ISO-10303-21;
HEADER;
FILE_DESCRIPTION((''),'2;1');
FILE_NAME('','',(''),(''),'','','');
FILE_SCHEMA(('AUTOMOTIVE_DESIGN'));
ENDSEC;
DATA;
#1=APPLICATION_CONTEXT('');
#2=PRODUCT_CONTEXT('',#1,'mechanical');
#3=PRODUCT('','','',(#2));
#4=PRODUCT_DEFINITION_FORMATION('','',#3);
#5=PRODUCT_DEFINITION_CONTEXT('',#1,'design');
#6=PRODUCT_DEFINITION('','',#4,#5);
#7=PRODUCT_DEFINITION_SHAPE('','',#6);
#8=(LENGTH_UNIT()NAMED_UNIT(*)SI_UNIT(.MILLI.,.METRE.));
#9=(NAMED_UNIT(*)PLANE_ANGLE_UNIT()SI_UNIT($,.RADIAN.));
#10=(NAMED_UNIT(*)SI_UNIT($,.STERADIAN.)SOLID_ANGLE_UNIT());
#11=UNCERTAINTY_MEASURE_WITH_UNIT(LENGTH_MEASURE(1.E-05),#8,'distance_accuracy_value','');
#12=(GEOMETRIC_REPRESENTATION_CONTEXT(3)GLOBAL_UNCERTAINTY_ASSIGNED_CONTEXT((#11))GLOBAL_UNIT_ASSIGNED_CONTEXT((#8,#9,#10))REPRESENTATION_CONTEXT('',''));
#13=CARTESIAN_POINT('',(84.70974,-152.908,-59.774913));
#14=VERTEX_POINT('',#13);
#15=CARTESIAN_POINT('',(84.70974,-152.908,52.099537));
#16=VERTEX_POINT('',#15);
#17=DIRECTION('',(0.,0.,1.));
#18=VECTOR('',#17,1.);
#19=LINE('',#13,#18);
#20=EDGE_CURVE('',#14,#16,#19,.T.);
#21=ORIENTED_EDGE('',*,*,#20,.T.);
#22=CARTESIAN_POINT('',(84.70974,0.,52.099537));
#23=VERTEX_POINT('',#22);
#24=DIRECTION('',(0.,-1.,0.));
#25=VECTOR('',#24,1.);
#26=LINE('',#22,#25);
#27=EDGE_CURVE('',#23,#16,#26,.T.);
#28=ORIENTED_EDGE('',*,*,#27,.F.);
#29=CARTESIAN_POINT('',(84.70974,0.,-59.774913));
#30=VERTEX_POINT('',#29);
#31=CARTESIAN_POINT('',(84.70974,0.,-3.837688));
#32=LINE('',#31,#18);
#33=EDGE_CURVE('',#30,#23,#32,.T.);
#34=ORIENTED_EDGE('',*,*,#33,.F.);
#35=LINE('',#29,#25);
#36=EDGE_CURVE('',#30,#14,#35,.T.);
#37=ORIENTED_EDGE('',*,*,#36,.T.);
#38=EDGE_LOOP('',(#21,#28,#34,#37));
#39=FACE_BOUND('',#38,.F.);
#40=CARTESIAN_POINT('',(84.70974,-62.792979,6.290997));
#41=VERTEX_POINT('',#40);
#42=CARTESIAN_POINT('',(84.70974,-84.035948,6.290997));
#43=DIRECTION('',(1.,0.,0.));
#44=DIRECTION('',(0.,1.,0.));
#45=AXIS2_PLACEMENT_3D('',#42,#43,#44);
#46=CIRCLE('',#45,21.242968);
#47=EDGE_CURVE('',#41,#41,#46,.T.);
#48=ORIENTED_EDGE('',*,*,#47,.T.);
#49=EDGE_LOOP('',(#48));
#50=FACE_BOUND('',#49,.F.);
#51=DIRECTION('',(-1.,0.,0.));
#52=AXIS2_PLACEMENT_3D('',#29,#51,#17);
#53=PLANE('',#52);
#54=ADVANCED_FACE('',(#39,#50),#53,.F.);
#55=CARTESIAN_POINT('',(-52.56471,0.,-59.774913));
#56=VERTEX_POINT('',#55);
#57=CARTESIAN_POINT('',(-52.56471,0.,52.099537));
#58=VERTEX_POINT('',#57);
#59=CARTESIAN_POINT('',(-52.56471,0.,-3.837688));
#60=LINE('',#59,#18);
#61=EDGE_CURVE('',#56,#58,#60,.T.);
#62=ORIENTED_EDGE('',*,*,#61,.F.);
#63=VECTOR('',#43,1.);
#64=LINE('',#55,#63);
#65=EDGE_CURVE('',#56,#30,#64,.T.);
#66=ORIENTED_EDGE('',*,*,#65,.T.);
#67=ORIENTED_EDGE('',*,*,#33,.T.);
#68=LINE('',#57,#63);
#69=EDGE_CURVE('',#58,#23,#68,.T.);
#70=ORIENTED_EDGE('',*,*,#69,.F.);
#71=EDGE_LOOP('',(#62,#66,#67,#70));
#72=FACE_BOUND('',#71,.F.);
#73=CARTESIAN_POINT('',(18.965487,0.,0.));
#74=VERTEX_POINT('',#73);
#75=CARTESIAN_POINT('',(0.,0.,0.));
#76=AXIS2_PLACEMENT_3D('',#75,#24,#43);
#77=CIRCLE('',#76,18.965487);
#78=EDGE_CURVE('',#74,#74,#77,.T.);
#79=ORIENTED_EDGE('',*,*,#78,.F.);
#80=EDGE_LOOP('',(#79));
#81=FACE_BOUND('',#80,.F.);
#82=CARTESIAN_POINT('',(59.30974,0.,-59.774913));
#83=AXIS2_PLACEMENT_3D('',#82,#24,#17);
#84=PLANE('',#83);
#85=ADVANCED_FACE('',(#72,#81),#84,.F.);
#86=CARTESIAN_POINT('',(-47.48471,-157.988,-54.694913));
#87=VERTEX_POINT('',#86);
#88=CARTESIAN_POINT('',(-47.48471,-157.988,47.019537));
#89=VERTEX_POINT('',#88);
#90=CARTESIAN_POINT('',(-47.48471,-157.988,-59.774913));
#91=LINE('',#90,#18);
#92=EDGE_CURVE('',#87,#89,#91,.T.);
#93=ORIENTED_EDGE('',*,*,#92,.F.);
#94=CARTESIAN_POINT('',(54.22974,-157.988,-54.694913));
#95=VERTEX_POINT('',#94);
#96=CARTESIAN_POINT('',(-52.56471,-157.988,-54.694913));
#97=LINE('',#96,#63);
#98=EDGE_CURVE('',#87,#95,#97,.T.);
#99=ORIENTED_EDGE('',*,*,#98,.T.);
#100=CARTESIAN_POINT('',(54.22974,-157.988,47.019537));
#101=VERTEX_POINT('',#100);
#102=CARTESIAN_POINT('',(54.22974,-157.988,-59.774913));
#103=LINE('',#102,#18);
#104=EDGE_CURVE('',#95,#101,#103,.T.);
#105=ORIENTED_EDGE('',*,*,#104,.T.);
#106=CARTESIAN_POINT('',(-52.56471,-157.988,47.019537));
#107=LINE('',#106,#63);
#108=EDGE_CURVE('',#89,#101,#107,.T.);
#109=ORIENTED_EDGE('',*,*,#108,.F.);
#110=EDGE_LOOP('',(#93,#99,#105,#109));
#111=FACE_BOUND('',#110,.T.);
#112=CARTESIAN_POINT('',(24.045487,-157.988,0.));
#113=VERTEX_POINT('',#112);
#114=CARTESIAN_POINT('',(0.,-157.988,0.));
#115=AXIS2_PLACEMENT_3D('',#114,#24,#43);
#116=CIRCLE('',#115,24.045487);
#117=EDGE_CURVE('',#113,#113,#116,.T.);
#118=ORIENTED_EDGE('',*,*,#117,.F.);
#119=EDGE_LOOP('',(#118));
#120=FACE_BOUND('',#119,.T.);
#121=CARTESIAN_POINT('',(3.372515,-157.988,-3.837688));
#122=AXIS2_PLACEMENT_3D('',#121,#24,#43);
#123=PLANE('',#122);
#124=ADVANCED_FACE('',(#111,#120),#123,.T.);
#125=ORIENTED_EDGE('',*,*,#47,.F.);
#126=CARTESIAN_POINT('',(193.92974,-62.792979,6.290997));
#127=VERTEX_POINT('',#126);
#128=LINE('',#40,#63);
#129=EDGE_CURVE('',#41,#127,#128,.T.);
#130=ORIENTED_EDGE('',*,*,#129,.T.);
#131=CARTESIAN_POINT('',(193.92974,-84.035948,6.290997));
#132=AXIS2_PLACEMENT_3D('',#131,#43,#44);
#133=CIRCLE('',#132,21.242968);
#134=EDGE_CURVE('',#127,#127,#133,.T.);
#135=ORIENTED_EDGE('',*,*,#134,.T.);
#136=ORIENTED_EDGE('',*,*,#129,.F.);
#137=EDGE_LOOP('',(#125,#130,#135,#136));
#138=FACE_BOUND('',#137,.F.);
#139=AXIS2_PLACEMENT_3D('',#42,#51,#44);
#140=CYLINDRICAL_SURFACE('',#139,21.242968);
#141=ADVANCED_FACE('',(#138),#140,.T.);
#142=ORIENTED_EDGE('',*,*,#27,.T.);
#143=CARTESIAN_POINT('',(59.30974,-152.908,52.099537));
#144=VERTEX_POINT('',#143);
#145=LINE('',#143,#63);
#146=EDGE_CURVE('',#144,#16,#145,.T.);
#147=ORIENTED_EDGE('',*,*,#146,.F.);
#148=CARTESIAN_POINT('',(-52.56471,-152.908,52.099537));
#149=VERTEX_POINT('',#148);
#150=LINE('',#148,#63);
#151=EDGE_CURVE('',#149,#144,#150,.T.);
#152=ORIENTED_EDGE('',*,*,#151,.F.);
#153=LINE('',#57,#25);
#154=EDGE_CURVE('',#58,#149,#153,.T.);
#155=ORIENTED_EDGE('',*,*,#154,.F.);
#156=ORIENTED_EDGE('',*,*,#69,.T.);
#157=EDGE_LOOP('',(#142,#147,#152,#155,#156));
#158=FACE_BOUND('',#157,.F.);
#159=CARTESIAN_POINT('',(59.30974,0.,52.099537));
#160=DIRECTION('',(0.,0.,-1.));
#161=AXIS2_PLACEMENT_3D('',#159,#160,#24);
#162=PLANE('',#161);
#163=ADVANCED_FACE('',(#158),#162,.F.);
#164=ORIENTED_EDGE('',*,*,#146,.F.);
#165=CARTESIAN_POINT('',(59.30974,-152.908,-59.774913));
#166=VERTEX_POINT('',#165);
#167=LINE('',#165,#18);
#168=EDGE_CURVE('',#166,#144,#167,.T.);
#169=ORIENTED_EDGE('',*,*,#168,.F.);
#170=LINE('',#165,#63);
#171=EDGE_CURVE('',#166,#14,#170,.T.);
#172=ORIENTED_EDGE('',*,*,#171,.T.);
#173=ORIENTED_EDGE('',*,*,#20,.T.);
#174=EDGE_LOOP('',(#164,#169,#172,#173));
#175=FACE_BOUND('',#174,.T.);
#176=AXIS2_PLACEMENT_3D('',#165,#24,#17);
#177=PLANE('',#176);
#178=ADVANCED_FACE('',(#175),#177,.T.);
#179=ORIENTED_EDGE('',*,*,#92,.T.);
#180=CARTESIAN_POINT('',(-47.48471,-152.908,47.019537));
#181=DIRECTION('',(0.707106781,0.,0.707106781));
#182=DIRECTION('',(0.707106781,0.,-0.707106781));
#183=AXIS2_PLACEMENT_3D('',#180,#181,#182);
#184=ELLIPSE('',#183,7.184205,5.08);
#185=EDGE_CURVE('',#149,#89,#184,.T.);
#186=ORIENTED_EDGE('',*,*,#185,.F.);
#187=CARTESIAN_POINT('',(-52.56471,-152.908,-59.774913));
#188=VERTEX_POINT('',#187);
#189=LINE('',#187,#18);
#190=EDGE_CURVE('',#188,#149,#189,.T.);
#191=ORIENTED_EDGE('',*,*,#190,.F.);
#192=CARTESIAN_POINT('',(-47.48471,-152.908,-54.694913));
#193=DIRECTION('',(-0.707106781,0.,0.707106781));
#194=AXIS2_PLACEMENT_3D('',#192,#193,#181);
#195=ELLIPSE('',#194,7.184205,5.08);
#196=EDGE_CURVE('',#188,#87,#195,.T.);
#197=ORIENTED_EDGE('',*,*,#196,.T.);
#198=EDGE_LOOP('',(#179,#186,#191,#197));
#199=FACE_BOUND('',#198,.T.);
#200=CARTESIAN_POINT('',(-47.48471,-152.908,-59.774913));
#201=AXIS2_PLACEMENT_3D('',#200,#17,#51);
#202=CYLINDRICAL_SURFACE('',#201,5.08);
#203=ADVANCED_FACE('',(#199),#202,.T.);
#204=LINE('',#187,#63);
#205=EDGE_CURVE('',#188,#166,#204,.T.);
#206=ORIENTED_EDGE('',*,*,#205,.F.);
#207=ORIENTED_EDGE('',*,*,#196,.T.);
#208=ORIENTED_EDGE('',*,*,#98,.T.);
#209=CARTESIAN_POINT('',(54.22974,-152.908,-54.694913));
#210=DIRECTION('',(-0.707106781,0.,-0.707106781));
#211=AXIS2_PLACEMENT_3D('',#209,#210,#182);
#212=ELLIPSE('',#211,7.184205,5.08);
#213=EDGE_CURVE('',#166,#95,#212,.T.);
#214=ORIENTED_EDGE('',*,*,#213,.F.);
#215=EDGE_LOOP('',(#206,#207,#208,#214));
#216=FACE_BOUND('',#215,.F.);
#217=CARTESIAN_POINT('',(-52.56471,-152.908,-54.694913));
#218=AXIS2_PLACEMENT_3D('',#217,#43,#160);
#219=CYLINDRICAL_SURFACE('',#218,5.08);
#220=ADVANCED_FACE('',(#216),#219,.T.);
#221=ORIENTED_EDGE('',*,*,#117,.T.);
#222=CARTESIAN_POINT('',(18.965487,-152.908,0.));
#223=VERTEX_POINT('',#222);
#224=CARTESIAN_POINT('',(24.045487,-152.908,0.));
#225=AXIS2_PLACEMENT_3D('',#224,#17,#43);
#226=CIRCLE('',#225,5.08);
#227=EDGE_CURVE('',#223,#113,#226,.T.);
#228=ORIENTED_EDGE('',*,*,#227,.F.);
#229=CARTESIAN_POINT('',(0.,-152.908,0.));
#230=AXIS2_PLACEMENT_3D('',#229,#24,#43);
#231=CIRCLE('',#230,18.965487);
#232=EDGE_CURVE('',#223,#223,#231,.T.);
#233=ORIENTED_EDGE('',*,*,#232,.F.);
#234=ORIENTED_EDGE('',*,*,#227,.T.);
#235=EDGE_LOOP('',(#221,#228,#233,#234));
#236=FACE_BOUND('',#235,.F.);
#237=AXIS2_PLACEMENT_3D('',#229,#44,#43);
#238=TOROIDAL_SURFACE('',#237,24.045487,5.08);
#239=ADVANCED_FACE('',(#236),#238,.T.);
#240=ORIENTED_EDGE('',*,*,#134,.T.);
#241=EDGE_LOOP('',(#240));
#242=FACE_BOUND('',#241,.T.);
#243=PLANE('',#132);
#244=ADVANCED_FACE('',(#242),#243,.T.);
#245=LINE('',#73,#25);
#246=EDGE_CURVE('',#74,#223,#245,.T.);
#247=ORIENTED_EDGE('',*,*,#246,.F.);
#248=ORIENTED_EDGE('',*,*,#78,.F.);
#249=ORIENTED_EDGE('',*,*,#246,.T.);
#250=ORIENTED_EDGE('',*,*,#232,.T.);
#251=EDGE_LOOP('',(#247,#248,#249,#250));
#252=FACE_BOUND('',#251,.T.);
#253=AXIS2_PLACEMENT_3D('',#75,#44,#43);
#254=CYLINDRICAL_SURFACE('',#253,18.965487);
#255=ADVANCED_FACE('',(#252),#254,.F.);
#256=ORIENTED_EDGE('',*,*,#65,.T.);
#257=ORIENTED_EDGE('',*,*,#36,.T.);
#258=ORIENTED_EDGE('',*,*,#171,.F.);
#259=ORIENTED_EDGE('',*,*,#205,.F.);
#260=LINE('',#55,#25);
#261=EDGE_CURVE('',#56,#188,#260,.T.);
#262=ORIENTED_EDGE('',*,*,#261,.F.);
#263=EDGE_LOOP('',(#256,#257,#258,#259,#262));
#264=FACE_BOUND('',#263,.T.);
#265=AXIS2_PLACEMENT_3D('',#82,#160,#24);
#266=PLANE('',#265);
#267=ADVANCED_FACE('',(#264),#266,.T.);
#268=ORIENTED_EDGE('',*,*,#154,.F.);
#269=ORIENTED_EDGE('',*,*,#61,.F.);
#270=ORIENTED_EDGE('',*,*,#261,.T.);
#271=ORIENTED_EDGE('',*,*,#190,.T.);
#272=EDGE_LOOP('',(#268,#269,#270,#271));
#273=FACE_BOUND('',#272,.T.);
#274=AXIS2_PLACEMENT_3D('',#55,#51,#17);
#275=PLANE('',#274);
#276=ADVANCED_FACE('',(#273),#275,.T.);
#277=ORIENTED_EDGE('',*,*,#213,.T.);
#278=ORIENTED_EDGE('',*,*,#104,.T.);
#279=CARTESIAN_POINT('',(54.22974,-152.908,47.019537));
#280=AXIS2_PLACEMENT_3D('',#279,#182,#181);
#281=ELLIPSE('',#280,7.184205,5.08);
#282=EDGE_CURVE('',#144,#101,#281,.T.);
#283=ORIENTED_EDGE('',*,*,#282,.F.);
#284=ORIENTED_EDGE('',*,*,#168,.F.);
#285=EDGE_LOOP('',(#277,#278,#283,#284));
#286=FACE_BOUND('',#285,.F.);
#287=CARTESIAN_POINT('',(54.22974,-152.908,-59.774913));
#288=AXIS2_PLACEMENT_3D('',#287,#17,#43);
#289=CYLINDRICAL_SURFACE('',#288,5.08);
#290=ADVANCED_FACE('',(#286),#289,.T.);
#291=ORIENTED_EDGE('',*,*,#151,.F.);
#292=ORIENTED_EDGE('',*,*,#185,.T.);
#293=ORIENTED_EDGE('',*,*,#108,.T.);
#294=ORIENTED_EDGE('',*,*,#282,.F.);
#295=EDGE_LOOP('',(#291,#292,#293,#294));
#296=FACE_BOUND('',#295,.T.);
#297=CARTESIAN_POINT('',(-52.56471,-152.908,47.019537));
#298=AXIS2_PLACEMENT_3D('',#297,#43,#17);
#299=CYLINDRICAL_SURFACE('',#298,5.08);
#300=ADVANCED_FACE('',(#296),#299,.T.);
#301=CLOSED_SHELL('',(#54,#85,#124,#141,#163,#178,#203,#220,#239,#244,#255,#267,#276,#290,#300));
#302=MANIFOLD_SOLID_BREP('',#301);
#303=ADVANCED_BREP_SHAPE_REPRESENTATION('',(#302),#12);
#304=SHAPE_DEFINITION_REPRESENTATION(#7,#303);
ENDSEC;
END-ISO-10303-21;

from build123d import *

# Parameters (mm, degrees)
F0_W     = 111.8744499981
F0_H     = 111.8744499981
F0_R     = 18.9654871471
F1_DEPTH = 157.988
F2_R     = 5.08
F3_DEPTH = 25.4
F4_R     = 21.242968454
F5_DEPTH = 109.22


with BuildPart() as f1:
    # F0 (on Front) → F1 (new body)
    with BuildSketch(Plane.XZ):
        with Locations((3.3725146204, -3.8376878947)):
            Rectangle(F0_W, F0_H)
        Circle(F0_R, mode=Mode.SUBTRACT)
    extrude(amount=F1_DEPTH)

    # F2
    f2_edges = [f1.edges().sort_by_distance(p)[0] for p in [
        (3.372515, -157.988, 52.099537),
        (-52.56471, -157.988, -3.837688),
        (3.372515, -157.988, -59.774913),
        (59.30974, -157.988, -3.837688),
        (-18.965487, -157.988, 0),
    ]]
    fillet(f2_edges, radius=F2_R)

    # F3 (add): a face of the model
    f3_faces = [f1.faces().sort_by_distance(p)[0] for p in [
        (59.3097396195, -76.454, -3.8376878947),
    ]]
    extrude(f3_faces, amount=F3_DEPTH)

    # F4 (on face) → F5 (join)
    with BuildSketch(Plane.YZ.offset(84.7097396195)):
        with Locations((-84.0359479189, 6.2909969129)):
            Circle(F4_R)
    extrude(amount=F5_DEPTH)


solid = f1.part
